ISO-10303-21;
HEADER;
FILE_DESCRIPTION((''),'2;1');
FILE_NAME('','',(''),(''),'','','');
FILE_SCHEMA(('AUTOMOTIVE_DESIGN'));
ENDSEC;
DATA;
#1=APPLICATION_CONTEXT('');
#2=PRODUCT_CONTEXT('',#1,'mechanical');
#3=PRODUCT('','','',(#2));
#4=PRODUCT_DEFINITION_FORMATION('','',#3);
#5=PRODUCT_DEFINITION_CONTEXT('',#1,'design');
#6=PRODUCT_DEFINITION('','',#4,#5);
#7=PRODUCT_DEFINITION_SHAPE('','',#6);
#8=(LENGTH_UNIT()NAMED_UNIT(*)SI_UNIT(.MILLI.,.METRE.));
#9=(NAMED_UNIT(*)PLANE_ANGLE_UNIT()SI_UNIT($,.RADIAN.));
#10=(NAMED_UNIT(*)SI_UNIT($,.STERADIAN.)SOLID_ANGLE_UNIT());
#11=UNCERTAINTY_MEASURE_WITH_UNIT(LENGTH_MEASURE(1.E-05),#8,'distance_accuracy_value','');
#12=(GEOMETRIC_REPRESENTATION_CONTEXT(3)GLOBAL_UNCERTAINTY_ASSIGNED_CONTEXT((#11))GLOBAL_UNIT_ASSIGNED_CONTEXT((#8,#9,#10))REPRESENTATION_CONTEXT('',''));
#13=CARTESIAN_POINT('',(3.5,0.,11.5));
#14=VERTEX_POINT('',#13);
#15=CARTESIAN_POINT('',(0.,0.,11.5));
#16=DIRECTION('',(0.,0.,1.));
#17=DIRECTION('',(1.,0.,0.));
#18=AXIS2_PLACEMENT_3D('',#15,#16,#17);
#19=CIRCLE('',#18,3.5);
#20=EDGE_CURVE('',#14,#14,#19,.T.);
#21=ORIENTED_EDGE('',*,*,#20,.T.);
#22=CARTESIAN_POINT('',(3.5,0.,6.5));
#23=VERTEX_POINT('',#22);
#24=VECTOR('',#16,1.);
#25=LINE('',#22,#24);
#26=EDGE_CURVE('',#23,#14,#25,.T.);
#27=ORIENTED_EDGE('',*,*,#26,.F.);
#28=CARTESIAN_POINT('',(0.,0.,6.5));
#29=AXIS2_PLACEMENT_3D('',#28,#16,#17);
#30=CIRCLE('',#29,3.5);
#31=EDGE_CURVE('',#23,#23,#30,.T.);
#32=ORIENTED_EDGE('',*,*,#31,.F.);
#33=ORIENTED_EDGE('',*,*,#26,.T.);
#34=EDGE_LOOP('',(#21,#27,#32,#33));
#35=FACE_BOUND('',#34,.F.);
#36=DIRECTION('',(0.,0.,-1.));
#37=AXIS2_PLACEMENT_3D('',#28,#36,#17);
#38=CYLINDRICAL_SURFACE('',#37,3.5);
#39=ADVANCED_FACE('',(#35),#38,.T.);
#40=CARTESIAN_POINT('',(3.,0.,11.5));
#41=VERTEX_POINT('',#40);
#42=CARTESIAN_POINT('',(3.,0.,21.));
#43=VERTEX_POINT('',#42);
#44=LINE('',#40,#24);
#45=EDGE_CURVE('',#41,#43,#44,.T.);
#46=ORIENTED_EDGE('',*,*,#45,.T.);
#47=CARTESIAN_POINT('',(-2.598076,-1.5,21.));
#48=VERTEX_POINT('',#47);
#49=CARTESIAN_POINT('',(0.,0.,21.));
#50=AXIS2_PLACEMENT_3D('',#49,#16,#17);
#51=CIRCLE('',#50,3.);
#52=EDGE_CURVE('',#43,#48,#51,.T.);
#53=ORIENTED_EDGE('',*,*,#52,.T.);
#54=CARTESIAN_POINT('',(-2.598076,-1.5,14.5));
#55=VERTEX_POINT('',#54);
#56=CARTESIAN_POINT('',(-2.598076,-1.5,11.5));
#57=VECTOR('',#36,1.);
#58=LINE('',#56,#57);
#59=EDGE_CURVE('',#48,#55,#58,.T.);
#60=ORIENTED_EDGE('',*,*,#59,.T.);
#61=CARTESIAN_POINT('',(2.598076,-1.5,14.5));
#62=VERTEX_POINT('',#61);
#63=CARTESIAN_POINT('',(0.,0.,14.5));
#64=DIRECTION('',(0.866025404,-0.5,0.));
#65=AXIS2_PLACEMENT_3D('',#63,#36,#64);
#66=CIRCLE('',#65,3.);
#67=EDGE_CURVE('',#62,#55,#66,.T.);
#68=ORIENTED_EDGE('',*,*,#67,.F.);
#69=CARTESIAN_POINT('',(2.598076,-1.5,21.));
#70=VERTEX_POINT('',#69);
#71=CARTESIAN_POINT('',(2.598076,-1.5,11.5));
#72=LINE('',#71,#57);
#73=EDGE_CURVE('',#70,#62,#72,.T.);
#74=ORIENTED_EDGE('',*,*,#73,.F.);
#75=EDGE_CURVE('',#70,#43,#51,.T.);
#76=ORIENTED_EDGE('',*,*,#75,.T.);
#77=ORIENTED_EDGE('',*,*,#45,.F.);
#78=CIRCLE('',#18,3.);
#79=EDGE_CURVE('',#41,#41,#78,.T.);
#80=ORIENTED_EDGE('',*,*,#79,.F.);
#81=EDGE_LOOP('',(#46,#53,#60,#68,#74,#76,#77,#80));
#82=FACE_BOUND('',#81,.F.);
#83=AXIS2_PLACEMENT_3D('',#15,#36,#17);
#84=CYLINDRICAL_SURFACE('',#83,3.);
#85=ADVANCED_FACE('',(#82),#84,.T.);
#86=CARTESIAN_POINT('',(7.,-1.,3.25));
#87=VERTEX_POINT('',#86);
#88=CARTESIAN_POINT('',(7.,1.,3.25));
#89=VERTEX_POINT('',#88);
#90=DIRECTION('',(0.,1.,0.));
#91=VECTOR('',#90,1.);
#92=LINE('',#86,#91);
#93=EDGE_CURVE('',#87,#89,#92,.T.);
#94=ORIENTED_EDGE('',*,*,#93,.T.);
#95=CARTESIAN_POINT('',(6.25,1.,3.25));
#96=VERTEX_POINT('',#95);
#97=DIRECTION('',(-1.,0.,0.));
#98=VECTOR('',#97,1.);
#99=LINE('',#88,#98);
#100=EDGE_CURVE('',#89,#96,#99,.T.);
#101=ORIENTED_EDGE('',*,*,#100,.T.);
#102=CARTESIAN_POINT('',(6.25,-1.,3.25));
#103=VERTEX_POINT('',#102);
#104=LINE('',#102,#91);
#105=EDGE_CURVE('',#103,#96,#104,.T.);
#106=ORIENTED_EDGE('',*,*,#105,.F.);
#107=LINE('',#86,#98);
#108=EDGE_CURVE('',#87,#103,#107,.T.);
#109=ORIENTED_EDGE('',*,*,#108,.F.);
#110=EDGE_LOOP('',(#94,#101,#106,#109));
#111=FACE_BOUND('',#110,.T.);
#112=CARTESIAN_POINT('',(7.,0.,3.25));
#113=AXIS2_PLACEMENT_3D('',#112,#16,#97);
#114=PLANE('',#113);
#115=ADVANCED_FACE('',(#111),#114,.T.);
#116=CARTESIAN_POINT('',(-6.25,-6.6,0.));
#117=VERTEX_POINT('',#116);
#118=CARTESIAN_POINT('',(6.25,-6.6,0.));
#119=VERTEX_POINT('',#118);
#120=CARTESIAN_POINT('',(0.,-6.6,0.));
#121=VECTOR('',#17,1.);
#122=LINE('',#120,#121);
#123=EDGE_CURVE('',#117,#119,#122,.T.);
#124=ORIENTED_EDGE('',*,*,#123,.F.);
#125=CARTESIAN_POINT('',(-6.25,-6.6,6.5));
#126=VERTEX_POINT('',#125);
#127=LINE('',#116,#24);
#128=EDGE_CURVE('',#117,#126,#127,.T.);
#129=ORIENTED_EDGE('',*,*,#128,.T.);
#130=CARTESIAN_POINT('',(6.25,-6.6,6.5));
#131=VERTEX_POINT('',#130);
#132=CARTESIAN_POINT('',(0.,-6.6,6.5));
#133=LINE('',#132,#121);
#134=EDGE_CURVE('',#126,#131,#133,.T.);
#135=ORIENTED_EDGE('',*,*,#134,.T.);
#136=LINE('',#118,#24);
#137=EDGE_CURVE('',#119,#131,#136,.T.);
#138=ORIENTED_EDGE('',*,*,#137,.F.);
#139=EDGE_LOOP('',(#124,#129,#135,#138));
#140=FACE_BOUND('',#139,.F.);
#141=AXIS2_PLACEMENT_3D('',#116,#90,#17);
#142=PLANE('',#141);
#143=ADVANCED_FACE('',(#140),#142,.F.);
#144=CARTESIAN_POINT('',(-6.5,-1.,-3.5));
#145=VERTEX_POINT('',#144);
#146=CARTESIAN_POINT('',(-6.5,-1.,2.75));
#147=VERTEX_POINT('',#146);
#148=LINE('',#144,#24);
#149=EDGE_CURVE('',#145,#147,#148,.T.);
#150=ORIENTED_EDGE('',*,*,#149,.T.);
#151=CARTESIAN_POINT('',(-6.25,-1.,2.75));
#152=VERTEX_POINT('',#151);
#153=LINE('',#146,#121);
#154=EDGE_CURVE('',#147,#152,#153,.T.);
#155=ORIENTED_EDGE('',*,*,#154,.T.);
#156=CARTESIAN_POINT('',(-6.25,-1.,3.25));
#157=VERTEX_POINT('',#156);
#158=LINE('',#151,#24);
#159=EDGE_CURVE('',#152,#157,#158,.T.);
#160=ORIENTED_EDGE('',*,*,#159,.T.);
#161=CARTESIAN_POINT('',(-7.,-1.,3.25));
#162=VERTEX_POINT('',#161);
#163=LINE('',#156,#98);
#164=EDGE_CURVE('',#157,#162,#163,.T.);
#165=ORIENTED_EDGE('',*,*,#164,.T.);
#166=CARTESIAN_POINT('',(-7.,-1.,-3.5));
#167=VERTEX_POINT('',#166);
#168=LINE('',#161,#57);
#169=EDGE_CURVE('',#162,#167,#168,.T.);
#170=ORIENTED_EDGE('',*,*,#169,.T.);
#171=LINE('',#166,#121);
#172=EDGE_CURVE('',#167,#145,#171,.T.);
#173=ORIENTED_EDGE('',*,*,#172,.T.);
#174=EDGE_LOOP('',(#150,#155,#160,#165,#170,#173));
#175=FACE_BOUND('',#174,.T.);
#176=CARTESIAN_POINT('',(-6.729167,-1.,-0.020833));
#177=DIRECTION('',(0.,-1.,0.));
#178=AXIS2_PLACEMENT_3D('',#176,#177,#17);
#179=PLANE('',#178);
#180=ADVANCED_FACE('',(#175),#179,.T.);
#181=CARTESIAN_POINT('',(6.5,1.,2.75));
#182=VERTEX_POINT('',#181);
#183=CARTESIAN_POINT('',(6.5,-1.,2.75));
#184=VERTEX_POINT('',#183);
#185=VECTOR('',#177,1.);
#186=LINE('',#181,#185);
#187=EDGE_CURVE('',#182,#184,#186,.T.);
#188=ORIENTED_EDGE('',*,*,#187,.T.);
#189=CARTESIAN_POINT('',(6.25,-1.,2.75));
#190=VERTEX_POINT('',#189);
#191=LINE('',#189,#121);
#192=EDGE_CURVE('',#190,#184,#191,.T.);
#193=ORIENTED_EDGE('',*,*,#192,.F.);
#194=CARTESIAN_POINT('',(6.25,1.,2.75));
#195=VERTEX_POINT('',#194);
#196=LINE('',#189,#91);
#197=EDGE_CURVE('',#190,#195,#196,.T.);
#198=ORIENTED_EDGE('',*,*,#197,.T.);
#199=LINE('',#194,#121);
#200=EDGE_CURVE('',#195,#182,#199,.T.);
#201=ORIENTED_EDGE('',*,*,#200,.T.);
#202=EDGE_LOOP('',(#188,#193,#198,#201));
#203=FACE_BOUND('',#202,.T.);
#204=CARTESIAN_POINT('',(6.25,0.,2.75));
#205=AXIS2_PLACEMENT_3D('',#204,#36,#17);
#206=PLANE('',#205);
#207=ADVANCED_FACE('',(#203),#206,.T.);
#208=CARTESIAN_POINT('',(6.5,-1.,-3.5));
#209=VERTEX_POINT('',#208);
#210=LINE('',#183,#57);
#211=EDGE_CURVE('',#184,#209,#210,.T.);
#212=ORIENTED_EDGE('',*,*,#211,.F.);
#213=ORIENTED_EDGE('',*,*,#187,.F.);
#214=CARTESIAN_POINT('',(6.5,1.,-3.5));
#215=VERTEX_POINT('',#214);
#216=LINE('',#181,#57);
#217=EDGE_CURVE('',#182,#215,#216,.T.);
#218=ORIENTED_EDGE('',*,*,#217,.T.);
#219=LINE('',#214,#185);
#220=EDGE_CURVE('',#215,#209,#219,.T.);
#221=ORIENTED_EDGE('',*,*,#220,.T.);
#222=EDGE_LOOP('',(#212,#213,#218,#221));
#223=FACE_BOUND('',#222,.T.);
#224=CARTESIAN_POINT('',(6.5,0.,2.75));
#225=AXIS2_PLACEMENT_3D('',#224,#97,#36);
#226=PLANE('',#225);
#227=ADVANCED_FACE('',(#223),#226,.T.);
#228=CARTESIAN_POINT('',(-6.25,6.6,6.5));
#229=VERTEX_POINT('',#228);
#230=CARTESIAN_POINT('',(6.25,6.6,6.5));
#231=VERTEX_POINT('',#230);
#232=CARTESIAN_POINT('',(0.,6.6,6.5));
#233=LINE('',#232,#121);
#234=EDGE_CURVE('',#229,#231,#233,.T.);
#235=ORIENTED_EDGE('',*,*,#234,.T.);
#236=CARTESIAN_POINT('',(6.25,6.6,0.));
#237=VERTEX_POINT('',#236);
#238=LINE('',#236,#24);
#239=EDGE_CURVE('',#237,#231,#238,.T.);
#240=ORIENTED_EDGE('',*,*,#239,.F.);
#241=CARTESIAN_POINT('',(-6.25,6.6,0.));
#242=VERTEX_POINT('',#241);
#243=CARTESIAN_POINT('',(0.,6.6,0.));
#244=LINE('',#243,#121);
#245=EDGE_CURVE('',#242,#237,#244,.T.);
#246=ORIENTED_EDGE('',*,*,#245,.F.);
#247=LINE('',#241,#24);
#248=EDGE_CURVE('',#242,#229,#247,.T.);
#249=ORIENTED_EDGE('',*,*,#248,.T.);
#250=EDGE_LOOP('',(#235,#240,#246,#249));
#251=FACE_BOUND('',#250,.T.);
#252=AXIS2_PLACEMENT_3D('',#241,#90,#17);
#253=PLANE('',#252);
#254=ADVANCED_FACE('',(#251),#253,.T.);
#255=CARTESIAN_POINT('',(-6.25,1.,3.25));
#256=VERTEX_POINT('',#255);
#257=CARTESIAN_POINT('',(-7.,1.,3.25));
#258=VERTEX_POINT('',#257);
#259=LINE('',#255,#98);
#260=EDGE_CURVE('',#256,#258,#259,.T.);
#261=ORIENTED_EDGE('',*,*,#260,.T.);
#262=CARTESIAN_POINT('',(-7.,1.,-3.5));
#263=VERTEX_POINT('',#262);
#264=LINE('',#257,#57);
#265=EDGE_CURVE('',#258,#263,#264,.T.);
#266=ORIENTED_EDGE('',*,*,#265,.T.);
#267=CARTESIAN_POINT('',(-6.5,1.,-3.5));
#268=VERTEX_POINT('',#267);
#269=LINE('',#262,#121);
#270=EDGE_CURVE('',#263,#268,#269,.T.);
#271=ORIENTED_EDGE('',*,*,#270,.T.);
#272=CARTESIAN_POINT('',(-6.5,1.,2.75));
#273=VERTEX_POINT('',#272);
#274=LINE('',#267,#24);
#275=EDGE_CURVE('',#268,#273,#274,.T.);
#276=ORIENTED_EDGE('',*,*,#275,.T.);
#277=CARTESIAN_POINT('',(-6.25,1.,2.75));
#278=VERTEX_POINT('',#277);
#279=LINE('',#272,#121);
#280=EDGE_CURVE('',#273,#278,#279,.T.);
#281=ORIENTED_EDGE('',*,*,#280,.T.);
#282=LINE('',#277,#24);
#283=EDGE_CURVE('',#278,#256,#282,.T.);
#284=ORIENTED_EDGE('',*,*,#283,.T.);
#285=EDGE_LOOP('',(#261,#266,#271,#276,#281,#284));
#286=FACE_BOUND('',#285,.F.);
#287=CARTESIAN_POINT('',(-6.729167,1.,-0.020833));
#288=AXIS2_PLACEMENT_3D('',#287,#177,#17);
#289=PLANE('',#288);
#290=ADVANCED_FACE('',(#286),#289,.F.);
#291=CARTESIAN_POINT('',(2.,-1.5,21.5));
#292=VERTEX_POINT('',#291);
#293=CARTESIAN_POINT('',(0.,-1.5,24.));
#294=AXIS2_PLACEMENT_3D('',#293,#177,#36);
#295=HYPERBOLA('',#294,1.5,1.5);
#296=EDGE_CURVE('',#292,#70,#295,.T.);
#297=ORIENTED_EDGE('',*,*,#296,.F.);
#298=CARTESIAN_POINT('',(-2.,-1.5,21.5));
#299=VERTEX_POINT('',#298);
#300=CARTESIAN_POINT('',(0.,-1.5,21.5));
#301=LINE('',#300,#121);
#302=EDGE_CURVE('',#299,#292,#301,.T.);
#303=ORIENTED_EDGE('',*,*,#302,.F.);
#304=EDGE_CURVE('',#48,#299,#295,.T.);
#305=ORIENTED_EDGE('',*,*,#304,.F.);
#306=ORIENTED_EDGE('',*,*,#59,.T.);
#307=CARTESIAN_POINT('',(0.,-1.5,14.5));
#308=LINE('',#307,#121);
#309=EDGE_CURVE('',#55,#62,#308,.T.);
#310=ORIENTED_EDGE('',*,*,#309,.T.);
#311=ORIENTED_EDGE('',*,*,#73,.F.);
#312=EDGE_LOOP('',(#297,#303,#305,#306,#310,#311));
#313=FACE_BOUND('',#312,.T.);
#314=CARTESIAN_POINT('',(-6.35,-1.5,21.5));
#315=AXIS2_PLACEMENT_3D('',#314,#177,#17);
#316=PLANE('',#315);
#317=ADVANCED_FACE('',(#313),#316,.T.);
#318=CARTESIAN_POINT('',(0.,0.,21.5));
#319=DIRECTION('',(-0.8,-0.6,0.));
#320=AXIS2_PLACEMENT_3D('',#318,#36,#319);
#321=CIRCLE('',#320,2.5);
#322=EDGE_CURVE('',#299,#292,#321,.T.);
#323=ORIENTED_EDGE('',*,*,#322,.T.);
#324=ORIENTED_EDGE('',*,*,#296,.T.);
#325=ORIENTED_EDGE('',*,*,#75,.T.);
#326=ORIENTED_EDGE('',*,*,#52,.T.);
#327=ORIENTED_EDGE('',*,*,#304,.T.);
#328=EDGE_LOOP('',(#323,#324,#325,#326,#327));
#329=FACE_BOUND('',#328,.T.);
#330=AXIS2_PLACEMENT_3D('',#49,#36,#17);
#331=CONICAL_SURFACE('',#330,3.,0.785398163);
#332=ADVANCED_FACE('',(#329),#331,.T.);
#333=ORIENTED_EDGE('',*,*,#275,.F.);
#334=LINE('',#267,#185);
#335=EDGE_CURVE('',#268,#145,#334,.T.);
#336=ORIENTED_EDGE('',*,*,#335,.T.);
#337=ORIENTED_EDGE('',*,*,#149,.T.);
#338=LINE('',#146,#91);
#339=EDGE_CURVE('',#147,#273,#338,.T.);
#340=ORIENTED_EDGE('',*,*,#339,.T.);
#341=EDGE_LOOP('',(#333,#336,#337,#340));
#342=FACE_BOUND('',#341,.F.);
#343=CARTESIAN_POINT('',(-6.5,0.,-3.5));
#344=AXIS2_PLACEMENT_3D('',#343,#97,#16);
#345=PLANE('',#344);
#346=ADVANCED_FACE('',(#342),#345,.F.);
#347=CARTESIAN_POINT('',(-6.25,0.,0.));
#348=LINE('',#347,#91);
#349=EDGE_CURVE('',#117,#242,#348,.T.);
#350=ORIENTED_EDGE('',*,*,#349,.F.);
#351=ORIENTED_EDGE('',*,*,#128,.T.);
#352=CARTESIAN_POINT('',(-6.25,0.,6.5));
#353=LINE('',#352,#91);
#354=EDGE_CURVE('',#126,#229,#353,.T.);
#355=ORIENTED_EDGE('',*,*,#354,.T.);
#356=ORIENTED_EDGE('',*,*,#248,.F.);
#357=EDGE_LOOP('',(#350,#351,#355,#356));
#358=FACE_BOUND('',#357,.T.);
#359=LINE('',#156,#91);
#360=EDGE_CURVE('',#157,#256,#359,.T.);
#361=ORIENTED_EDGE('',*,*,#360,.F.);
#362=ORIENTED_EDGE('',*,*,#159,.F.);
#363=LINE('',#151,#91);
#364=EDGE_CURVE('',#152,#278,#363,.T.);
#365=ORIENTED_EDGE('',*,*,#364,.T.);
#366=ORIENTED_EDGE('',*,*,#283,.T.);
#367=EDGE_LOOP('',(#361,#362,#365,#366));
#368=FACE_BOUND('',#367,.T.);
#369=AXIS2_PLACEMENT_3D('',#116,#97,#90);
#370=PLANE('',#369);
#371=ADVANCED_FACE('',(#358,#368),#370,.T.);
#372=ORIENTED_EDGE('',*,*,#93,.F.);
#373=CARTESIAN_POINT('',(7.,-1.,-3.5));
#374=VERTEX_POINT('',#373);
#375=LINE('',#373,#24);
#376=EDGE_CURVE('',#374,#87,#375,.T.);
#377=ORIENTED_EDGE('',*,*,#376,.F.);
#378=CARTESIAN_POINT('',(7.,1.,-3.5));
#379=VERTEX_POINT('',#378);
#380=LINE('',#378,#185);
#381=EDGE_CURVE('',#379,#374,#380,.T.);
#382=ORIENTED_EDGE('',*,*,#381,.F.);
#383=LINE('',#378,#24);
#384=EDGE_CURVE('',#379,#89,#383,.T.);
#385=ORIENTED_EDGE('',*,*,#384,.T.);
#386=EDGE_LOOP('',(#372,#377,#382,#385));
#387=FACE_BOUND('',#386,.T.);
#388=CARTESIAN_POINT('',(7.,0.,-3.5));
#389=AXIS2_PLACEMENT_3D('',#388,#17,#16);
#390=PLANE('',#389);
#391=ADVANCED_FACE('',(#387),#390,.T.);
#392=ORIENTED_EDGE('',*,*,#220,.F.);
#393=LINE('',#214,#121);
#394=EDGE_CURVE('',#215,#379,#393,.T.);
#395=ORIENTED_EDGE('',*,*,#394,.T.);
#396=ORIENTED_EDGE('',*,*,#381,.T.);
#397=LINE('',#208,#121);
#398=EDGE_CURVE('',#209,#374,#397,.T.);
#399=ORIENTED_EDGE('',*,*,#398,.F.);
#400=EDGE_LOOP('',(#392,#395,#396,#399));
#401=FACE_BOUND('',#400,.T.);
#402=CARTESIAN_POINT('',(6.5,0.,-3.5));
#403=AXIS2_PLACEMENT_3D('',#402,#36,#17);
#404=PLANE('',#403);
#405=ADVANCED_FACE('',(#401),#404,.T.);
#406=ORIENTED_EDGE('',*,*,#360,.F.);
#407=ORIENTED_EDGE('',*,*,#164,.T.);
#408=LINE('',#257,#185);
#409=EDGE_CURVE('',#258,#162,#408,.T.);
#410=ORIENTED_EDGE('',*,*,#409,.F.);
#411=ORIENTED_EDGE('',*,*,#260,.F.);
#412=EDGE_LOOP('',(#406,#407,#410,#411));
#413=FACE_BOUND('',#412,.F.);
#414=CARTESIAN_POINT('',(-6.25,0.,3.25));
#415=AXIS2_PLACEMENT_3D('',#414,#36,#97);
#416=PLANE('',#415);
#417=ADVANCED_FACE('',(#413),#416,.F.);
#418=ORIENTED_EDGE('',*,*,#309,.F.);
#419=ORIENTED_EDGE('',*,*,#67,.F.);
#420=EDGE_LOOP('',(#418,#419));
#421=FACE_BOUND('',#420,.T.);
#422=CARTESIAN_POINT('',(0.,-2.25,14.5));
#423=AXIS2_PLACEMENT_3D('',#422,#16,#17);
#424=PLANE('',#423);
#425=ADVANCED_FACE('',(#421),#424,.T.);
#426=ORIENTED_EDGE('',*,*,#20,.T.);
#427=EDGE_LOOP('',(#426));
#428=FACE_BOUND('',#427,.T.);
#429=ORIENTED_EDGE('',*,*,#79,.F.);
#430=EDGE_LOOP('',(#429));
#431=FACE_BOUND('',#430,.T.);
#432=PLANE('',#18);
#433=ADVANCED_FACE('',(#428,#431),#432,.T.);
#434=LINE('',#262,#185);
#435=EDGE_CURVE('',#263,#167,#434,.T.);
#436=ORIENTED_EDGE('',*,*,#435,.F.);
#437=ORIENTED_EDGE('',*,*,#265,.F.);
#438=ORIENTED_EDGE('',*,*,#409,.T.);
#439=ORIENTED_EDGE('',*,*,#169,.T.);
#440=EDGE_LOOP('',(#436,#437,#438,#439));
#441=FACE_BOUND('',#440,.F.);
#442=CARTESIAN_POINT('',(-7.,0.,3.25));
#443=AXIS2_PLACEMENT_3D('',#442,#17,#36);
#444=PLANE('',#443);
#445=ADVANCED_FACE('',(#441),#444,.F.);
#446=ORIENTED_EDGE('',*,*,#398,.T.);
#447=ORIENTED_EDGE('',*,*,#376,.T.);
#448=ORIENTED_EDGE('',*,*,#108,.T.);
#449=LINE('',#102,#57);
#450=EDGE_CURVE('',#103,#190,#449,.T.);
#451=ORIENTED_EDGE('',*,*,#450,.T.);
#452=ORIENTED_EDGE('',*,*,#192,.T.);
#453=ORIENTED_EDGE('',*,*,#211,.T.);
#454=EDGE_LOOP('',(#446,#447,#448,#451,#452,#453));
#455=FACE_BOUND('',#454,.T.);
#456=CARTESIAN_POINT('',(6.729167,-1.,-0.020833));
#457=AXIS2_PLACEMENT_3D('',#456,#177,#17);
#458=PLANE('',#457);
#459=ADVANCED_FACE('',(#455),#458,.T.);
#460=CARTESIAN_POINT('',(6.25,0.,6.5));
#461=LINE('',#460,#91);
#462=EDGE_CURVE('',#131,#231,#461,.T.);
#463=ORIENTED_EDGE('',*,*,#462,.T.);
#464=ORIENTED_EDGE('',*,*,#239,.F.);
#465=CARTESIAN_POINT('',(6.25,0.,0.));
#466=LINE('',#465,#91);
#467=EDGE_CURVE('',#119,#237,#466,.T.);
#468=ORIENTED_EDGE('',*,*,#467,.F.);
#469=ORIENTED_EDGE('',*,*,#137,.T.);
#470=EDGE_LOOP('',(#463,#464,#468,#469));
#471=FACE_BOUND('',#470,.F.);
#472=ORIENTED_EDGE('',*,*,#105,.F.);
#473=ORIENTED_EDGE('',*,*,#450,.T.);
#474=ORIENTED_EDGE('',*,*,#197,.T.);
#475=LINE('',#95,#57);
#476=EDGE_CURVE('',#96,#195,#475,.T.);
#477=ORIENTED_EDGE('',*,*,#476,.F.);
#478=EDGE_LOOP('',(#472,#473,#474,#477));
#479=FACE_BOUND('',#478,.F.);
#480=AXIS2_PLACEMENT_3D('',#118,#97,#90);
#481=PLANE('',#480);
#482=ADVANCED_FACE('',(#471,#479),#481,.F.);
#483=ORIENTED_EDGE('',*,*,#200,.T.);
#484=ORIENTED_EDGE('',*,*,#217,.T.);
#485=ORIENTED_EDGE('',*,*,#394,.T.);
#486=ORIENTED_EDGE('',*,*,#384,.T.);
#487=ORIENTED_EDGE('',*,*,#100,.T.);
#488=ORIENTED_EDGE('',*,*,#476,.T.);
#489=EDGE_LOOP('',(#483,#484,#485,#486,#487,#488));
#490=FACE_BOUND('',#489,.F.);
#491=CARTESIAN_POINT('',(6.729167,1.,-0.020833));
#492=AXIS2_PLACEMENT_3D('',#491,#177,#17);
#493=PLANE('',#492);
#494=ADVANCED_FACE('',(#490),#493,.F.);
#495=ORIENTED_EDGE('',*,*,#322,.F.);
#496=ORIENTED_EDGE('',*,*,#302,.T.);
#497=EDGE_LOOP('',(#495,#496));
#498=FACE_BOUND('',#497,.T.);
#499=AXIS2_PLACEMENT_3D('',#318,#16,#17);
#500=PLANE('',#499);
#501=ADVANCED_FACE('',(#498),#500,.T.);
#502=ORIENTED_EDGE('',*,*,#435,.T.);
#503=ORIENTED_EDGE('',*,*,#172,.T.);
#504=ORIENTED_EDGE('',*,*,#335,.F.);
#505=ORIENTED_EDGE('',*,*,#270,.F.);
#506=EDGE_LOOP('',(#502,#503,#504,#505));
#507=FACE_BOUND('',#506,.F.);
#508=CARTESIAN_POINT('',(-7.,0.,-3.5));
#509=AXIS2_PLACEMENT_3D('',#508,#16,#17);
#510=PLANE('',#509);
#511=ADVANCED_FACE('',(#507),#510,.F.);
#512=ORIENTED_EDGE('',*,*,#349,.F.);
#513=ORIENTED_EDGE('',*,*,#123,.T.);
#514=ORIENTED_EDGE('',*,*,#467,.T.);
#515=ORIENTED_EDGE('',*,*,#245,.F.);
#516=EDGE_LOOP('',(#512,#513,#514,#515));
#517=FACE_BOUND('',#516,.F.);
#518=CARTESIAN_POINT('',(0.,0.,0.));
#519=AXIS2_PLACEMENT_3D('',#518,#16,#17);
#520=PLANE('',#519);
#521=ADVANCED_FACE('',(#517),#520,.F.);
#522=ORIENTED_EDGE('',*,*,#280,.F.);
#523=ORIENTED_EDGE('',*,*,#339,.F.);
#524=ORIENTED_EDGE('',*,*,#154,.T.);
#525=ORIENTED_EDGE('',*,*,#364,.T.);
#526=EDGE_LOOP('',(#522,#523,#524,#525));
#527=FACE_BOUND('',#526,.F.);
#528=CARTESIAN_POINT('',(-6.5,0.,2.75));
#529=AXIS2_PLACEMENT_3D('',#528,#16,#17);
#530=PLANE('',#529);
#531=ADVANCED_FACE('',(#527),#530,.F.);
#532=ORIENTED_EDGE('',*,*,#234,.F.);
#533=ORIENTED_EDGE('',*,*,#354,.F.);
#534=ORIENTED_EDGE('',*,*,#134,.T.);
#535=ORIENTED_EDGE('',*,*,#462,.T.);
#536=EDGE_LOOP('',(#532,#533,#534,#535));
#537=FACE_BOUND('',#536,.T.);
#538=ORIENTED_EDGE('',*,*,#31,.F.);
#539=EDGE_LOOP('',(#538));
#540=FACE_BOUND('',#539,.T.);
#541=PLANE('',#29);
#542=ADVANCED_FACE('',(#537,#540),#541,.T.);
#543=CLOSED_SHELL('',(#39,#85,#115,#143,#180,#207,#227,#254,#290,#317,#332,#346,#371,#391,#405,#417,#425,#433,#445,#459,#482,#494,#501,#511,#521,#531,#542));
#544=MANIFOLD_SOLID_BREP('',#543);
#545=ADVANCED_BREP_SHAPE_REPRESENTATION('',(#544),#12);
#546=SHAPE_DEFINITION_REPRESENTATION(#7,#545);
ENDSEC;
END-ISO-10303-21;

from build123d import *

# Parameters (mm, degrees)
F0_W      = 12.5
F0_H      = 13.2
F1_DEPTH  = 6.5
F2_R      = 3.5
F3_DEPTH  = 5
F4_R      = 3
F5_DEPTH  = 10
F6_SIZE   = 0.5
F7_W      = 12.7
F7_H      = 1.5
F8_DEPTH  = 7
F10_DEPTH = 1


with BuildPart() as f1:
    # F0 (on Top) → F1 (new body)
    with BuildSketch(Plane.XY):
        Rectangle(F0_W, F0_H)
    extrude(amount=F1_DEPTH)

    # F2 (on face) → F3 (join)
    with BuildSketch(Plane.XY.offset(6.5)):
        Circle(F2_R)
    extrude(amount=F3_DEPTH)

    # F4 (on face) → F5 (join)
    with BuildSketch(Plane.XY.offset(11.5)):
        Circle(F4_R)
    extrude(amount=F5_DEPTH)

    # F6
    f6_edges = [f1.edges().sort_by_distance(p)[0] for p in [
        (-3, 0, 21.5),
    ]]
    chamfer(f6_edges, length=F6_SIZE)

    # F7 (on face) → F8 (cut)
    with BuildSketch(Plane.XY.offset(21.5)):
        with Locations((0, -2.25)):
            Rectangle(F7_W, F7_H)
    extrude(amount=-F8_DEPTH, mode=Mode.SUBTRACT)

    # F9 (on Front) → F10 (join, symmetric)
    with BuildSketch(Plane.XZ):
        Polygon((-6.25, 3.25), (-7, 3.25), (-7, -3.5), (-6.5, -3.5), (-6.5, 2.75), (-6.25, 2.75), align=None)
        Polygon((6.25, 2.75), (6.5, 2.75), (6.5, -3.5), (7, -3.5), (7, 3.25), (6.25, 3.25), align=None)
    extrude(amount=F10_DEPTH, both=True)


solid = f1.part
